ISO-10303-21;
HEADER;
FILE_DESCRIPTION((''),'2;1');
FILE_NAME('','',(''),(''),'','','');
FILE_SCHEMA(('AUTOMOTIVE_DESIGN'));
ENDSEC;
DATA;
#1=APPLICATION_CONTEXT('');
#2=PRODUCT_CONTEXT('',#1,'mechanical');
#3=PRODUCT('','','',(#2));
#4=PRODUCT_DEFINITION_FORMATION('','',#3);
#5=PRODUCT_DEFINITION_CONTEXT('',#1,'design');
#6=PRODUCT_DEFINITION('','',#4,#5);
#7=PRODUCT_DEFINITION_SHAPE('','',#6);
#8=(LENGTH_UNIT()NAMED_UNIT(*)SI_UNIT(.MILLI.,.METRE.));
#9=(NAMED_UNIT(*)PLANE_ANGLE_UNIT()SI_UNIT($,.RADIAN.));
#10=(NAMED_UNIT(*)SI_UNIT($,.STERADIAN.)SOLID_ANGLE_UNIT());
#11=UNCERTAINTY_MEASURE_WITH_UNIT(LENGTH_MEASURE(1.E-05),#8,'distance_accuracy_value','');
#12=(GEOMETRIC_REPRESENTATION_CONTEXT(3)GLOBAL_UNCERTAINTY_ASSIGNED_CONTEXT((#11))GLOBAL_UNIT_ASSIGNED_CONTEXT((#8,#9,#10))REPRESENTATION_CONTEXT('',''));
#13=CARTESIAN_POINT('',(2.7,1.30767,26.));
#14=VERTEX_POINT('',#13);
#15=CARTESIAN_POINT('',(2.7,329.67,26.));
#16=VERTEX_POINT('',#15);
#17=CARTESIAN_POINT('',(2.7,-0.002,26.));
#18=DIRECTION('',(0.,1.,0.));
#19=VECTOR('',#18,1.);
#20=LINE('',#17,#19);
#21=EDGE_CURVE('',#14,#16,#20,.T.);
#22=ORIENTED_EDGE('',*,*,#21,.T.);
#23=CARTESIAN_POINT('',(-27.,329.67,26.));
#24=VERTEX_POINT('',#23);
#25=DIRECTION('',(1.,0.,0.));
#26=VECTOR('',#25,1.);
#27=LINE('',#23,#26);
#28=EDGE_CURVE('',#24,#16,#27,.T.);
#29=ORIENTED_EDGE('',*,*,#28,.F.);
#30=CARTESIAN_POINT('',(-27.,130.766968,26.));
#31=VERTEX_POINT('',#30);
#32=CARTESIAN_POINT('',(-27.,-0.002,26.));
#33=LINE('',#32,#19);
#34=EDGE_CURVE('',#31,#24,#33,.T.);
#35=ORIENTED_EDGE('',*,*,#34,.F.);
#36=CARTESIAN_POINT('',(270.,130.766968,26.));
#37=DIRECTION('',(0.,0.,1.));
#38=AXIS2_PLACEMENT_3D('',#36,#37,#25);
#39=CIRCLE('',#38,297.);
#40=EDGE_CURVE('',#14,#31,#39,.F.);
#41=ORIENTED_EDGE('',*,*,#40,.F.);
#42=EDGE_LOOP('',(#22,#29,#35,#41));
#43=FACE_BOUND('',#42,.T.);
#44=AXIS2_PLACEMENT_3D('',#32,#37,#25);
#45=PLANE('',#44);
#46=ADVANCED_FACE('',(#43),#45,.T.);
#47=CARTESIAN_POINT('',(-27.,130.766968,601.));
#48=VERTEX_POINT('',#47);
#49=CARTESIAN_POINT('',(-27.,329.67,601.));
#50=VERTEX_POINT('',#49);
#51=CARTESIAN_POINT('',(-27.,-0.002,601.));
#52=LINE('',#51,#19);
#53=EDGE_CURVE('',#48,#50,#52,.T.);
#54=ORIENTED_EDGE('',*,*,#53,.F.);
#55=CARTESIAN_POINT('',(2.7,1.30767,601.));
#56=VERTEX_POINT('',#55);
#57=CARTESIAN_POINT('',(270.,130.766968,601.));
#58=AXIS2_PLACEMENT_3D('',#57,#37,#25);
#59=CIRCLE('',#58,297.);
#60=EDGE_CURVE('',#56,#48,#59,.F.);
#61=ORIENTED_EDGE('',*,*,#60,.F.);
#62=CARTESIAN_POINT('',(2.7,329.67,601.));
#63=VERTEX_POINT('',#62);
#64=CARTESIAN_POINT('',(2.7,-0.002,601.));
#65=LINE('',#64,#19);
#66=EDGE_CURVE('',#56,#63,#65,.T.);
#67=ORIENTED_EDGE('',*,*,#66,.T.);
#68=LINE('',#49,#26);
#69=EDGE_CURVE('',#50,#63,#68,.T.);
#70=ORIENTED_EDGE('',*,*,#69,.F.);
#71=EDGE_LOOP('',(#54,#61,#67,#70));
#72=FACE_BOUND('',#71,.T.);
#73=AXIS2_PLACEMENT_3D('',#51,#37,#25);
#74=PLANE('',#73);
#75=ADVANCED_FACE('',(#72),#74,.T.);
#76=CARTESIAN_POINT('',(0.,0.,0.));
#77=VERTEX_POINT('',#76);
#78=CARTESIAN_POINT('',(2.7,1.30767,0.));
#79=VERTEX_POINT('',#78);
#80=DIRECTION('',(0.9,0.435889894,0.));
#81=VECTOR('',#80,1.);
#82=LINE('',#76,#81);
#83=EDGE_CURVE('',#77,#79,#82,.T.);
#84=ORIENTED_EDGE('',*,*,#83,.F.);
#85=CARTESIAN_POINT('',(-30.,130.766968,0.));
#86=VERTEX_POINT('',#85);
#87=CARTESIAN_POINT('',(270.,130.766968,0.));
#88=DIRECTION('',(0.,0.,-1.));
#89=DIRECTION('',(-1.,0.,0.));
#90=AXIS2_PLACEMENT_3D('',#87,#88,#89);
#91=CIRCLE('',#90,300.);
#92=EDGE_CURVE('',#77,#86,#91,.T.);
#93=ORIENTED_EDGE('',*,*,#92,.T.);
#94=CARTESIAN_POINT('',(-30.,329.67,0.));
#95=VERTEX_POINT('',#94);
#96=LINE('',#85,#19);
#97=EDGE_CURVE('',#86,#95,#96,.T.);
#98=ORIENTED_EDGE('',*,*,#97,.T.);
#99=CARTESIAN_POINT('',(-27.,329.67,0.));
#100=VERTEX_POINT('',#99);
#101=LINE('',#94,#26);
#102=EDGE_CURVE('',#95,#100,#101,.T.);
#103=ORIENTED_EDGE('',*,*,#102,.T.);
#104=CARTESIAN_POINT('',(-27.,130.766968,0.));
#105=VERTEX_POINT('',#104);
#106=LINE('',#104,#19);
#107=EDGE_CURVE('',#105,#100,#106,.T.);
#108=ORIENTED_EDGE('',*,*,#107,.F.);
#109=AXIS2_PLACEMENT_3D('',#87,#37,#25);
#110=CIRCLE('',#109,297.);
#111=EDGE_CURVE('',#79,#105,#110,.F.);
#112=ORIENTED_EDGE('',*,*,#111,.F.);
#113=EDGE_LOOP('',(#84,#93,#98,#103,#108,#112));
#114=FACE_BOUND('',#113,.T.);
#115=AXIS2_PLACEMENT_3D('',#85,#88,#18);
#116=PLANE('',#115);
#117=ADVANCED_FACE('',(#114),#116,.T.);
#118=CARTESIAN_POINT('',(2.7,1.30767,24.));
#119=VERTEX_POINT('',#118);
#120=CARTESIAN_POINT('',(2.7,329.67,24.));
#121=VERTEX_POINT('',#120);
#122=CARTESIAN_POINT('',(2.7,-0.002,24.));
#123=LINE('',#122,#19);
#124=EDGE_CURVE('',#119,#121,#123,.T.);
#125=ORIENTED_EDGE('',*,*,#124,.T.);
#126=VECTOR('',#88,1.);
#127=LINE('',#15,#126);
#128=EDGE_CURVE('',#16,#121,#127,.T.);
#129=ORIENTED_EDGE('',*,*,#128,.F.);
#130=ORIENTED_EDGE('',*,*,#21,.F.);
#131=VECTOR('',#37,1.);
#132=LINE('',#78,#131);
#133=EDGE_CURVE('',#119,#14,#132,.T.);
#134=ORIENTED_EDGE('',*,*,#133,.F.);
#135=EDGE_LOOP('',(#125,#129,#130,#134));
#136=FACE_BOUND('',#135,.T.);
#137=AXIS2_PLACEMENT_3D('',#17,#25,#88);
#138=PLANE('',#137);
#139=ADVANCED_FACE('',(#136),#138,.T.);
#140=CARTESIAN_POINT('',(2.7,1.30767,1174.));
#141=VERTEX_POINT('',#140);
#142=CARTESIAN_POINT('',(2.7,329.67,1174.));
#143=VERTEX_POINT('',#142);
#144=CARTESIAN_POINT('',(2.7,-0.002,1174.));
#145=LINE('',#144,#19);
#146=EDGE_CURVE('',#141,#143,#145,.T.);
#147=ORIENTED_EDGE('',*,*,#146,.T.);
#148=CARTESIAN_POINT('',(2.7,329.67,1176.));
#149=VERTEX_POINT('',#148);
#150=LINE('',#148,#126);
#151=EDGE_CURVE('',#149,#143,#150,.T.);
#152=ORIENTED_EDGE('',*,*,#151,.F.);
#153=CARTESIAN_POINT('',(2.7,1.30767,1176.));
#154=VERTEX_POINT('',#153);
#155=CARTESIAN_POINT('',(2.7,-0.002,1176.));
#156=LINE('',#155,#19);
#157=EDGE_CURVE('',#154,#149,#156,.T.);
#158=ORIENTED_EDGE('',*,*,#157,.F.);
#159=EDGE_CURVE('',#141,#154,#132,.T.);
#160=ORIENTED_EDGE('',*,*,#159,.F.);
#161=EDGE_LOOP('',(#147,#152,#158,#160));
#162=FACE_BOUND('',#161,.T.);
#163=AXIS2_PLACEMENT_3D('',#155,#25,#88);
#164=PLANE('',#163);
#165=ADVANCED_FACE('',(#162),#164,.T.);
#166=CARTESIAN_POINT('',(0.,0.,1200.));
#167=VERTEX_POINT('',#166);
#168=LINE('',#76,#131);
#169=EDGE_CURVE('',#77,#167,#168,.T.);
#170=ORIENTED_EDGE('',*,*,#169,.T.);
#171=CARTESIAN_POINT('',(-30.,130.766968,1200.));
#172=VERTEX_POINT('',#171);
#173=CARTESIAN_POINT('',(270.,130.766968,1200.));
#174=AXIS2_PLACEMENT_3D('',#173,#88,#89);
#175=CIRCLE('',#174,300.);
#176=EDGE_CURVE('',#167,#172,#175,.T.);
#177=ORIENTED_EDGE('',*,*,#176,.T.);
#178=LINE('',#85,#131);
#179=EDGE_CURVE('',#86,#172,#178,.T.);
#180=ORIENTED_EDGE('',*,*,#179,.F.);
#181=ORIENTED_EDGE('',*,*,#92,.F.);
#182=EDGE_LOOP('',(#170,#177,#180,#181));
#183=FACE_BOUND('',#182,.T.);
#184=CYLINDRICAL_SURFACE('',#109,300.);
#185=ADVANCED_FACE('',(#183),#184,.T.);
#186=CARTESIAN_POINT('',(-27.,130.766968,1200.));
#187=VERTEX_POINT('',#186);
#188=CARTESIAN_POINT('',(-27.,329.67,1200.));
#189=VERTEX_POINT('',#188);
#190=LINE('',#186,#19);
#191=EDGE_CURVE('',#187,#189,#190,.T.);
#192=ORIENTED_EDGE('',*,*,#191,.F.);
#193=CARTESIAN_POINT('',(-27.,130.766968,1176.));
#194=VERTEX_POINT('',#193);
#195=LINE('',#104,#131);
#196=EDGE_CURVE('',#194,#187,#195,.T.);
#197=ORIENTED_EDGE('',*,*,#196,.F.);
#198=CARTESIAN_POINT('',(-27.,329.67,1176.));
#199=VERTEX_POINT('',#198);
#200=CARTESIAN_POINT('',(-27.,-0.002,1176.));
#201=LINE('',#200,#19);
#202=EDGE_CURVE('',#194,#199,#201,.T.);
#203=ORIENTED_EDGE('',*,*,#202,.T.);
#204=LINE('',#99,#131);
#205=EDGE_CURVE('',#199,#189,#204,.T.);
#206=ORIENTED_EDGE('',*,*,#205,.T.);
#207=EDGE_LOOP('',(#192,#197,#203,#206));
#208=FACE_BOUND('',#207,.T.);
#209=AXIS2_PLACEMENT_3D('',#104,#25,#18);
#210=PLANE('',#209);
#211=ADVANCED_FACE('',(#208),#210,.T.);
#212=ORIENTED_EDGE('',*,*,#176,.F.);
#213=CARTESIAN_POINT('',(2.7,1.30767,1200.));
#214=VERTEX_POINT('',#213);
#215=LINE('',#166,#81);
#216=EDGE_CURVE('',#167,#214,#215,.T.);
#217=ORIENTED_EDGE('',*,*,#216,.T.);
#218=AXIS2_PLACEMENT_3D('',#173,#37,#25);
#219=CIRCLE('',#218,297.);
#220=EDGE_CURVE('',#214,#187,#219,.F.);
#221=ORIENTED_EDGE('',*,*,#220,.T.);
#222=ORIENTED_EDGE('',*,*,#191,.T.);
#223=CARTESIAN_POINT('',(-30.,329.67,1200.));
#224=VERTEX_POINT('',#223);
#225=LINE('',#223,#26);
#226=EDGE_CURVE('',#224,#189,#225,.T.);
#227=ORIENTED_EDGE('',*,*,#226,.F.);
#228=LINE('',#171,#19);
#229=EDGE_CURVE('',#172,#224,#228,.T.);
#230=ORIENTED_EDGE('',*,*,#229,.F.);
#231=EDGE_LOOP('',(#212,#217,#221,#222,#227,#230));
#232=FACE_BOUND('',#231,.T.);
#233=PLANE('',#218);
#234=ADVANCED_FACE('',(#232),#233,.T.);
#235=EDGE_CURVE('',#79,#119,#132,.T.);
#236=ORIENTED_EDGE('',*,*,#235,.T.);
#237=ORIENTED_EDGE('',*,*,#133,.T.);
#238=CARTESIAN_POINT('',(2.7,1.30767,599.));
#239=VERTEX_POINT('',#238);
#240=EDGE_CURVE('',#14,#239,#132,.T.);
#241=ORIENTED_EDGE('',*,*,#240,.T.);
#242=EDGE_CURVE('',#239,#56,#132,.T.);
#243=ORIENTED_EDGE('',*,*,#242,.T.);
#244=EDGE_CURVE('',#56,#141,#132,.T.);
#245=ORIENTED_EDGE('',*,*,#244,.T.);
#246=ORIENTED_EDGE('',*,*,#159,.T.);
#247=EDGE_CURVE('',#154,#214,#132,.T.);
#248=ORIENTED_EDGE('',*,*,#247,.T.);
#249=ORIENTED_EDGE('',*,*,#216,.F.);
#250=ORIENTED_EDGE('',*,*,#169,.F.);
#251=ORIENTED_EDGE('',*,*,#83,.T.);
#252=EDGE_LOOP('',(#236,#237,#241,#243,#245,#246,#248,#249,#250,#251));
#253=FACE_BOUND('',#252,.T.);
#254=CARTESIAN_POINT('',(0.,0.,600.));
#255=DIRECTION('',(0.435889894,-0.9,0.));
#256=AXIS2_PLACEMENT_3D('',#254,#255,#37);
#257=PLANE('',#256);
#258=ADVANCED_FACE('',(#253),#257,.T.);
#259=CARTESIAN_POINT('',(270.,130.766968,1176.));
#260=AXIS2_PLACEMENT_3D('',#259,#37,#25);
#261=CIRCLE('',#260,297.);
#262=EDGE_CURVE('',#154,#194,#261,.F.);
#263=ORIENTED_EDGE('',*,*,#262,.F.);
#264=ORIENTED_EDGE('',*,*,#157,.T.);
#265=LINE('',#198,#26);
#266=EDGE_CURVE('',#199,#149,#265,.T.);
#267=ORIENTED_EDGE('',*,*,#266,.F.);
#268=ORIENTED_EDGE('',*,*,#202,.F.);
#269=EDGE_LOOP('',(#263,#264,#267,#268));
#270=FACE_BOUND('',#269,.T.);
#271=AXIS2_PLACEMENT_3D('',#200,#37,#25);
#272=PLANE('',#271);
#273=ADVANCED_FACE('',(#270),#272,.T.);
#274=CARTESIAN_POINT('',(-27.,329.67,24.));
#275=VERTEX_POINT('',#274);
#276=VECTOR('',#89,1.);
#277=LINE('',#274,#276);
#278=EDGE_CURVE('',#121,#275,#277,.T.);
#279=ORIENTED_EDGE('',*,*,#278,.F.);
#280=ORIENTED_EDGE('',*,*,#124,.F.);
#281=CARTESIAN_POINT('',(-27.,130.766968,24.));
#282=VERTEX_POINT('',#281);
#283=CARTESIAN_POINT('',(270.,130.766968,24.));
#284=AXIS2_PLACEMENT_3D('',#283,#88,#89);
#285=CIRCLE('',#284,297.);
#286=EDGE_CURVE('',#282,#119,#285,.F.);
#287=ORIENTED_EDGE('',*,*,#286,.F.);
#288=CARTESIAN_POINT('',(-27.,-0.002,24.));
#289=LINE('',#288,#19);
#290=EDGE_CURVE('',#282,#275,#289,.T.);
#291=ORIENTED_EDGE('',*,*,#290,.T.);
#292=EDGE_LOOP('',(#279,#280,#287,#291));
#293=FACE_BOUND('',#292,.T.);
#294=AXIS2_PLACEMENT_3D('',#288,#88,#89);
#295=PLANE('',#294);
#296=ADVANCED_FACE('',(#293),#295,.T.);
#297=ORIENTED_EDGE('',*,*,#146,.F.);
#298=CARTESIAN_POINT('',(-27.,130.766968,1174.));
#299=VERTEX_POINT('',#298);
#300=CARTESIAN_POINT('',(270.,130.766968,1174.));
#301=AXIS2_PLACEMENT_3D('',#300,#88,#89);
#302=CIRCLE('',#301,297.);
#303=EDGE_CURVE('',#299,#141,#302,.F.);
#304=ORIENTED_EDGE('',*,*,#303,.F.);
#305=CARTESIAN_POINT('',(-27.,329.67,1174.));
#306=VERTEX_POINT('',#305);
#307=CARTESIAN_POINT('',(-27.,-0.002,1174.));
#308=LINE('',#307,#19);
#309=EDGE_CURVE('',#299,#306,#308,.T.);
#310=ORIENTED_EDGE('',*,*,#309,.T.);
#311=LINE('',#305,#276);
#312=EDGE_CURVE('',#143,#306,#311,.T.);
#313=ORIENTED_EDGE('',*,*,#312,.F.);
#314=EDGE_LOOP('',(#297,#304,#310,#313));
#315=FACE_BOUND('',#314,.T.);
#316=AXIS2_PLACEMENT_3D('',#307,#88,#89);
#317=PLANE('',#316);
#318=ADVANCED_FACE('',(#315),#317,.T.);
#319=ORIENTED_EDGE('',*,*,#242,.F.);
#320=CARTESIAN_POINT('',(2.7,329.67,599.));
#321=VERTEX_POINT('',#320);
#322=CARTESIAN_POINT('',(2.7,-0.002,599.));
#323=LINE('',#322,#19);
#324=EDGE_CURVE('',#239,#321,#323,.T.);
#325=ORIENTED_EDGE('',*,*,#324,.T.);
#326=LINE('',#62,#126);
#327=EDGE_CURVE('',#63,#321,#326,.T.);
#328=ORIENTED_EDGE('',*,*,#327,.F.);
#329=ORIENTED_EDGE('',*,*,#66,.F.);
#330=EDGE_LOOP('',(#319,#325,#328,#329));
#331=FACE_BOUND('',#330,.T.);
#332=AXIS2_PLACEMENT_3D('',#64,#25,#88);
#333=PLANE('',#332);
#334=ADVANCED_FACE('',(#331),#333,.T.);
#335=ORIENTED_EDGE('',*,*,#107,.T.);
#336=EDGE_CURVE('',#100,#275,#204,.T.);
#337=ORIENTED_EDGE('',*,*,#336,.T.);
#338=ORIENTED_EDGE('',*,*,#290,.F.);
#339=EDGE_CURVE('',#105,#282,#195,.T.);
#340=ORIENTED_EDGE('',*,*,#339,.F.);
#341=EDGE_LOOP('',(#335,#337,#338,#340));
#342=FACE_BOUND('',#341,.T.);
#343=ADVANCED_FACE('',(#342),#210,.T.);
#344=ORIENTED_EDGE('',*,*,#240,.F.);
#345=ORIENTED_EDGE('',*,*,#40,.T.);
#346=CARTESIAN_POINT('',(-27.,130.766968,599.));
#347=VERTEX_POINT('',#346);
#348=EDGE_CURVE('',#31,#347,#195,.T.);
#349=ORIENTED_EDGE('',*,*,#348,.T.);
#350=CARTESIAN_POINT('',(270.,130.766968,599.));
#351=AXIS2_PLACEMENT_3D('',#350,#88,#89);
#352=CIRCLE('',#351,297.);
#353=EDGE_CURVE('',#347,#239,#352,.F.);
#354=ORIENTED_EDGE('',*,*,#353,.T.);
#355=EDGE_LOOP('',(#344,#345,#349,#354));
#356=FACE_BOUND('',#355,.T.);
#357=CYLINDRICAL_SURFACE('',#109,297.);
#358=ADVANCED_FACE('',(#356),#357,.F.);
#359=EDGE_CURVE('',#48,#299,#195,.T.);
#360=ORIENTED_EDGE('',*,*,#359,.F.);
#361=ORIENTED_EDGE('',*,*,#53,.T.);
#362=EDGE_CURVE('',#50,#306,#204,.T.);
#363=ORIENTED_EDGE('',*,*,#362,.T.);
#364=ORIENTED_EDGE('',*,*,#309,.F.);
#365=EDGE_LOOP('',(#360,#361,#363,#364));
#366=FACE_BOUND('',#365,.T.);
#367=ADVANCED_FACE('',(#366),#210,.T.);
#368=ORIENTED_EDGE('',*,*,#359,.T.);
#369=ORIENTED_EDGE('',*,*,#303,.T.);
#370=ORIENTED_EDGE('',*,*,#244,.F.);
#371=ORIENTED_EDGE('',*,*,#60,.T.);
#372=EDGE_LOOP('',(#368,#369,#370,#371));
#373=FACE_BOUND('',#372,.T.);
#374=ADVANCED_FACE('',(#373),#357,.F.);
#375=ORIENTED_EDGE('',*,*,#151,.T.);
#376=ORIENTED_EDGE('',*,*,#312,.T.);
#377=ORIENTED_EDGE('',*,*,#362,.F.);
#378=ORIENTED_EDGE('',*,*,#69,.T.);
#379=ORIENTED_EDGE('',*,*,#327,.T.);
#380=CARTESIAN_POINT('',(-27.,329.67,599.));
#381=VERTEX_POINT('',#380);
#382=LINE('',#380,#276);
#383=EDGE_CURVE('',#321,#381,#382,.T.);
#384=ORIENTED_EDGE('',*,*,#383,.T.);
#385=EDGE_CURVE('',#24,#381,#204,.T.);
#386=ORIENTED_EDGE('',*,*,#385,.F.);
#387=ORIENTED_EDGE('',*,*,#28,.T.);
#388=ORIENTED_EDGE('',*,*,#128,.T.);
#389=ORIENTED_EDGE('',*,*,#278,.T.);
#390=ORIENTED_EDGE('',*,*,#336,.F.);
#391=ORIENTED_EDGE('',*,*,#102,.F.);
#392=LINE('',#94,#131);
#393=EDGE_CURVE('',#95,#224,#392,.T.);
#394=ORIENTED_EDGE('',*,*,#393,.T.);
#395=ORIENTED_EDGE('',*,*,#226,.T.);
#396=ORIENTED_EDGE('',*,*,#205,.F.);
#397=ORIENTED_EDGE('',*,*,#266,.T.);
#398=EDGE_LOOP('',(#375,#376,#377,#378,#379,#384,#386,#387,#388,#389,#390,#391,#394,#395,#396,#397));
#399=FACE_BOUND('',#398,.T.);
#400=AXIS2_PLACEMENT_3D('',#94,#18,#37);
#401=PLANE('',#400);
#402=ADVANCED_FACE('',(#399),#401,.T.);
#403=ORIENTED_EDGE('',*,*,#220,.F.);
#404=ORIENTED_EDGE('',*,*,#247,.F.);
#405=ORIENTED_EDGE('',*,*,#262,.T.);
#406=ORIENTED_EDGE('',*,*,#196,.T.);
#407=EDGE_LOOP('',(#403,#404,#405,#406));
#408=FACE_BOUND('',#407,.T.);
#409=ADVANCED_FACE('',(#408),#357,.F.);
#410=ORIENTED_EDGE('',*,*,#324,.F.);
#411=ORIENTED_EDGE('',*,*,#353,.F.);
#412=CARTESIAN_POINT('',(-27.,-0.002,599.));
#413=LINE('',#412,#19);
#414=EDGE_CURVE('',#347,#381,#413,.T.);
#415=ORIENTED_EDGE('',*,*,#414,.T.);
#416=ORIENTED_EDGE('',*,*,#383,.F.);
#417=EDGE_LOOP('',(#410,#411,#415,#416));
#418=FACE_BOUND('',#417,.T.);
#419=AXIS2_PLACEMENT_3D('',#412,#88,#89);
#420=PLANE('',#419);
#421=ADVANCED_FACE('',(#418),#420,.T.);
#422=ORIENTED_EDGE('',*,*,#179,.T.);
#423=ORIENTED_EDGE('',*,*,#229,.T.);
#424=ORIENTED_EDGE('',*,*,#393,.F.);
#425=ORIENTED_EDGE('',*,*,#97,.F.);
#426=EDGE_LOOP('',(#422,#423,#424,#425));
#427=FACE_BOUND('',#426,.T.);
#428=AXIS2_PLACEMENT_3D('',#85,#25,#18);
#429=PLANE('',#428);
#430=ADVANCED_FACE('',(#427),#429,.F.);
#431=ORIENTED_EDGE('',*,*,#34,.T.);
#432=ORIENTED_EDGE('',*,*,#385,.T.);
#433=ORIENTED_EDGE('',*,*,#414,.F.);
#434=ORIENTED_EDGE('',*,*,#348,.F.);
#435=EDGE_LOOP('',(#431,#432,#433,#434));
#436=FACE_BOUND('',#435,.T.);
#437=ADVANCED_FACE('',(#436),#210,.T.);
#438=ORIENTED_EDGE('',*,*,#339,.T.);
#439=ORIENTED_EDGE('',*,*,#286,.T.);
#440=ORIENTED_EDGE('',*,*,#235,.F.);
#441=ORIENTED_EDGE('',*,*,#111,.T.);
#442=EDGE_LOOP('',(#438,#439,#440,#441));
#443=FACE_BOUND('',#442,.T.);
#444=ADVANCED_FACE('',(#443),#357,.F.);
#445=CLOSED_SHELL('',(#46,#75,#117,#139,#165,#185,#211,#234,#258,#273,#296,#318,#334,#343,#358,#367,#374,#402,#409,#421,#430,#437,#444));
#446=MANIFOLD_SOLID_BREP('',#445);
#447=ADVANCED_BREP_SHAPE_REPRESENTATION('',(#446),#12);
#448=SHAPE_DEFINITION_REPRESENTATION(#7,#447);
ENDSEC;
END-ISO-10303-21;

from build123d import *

# Parameters (mm, degrees)
SURFACE_EXTRUDE1_1_DEPTH = 1200
THICKEN1_T1              = 3
BOSS_EXTRUDE1_REACH      = 1246.822
SKETCH2_W                = 29.7
SKETCH2_H                = 2


with BuildPart() as body_1:
    # Surface-Extrude1: a surface, the sketch's curves swept straight by 1200 mm
    with BuildLine(Plane.XY, mode=Mode.PRIVATE) as surface_extrude1_1_path:
        Line((-30, 329.67), (-30, 130.766968306))
        ThreePointArc((-30, 130.766968306), (-22.403830344, 63.684928981), (0, 0))
    surface_extrude1_1 = Shell.extrude(surface_extrude1_1_path.wire(), (0 * SURFACE_EXTRUDE1_1_DEPTH, 0 * SURFACE_EXTRUDE1_1_DEPTH, 1 * SURFACE_EXTRUDE1_1_DEPTH))
    add(Solid.thicken(surface_extrude1_1, THICKEN1_T1))

    # Sketch2 → Boss-Extrude1 (add, up to next)
    with BuildSketch(Plane(origin=(0, 329.67, 0), x_dir=(1, 0, 0), z_dir=(0, 1, 0)), mode=Mode.PRIVATE) as boss_extrude1_sk1:
        with Locations((-12.15, -1175)):
            Rectangle(SKETCH2_W, SKETCH2_H)
    boss_extrude1_tool1 = extrude(boss_extrude1_sk1.sketch, amount=-BOSS_EXTRUDE1_REACH, mode=Mode.PRIVATE) - body_1.part
    # Sketch2 → Boss-Extrude1 (add, up to next)
    with BuildSketch(Plane(origin=(0, 329.67, 0), x_dir=(1, 0, 0), z_dir=(0, 1, 0)), mode=Mode.PRIVATE) as boss_extrude1_sk2:
        with Locations((-12.15, -600)):
            Rectangle(SKETCH2_W, SKETCH2_H)
    boss_extrude1_tool2 = extrude(boss_extrude1_sk2.sketch, amount=-BOSS_EXTRUDE1_REACH, mode=Mode.PRIVATE) - body_1.part
    # Sketch2 → Boss-Extrude1 (add, up to next)
    with BuildSketch(Plane(origin=(0, 329.67, 0), x_dir=(1, 0, 0), z_dir=(0, 1, 0)), mode=Mode.PRIVATE) as boss_extrude1_sk3:
        with Locations((-12.15, -25)):
            Rectangle(SKETCH2_W, SKETCH2_H)
    boss_extrude1_tool3 = extrude(boss_extrude1_sk3.sketch, amount=-BOSS_EXTRUDE1_REACH, mode=Mode.PRIVATE) - body_1.part
    add(boss_extrude1_tool1.solids().sort_by_distance((-12.15, 329.67, 1175))[0])
    add(boss_extrude1_tool2.solids().sort_by_distance((-12.15, 329.67, 600))[0])
    add(boss_extrude1_tool3.solids().sort_by_distance((-12.15, 329.67, 25))[0])


solid = body_1.part
